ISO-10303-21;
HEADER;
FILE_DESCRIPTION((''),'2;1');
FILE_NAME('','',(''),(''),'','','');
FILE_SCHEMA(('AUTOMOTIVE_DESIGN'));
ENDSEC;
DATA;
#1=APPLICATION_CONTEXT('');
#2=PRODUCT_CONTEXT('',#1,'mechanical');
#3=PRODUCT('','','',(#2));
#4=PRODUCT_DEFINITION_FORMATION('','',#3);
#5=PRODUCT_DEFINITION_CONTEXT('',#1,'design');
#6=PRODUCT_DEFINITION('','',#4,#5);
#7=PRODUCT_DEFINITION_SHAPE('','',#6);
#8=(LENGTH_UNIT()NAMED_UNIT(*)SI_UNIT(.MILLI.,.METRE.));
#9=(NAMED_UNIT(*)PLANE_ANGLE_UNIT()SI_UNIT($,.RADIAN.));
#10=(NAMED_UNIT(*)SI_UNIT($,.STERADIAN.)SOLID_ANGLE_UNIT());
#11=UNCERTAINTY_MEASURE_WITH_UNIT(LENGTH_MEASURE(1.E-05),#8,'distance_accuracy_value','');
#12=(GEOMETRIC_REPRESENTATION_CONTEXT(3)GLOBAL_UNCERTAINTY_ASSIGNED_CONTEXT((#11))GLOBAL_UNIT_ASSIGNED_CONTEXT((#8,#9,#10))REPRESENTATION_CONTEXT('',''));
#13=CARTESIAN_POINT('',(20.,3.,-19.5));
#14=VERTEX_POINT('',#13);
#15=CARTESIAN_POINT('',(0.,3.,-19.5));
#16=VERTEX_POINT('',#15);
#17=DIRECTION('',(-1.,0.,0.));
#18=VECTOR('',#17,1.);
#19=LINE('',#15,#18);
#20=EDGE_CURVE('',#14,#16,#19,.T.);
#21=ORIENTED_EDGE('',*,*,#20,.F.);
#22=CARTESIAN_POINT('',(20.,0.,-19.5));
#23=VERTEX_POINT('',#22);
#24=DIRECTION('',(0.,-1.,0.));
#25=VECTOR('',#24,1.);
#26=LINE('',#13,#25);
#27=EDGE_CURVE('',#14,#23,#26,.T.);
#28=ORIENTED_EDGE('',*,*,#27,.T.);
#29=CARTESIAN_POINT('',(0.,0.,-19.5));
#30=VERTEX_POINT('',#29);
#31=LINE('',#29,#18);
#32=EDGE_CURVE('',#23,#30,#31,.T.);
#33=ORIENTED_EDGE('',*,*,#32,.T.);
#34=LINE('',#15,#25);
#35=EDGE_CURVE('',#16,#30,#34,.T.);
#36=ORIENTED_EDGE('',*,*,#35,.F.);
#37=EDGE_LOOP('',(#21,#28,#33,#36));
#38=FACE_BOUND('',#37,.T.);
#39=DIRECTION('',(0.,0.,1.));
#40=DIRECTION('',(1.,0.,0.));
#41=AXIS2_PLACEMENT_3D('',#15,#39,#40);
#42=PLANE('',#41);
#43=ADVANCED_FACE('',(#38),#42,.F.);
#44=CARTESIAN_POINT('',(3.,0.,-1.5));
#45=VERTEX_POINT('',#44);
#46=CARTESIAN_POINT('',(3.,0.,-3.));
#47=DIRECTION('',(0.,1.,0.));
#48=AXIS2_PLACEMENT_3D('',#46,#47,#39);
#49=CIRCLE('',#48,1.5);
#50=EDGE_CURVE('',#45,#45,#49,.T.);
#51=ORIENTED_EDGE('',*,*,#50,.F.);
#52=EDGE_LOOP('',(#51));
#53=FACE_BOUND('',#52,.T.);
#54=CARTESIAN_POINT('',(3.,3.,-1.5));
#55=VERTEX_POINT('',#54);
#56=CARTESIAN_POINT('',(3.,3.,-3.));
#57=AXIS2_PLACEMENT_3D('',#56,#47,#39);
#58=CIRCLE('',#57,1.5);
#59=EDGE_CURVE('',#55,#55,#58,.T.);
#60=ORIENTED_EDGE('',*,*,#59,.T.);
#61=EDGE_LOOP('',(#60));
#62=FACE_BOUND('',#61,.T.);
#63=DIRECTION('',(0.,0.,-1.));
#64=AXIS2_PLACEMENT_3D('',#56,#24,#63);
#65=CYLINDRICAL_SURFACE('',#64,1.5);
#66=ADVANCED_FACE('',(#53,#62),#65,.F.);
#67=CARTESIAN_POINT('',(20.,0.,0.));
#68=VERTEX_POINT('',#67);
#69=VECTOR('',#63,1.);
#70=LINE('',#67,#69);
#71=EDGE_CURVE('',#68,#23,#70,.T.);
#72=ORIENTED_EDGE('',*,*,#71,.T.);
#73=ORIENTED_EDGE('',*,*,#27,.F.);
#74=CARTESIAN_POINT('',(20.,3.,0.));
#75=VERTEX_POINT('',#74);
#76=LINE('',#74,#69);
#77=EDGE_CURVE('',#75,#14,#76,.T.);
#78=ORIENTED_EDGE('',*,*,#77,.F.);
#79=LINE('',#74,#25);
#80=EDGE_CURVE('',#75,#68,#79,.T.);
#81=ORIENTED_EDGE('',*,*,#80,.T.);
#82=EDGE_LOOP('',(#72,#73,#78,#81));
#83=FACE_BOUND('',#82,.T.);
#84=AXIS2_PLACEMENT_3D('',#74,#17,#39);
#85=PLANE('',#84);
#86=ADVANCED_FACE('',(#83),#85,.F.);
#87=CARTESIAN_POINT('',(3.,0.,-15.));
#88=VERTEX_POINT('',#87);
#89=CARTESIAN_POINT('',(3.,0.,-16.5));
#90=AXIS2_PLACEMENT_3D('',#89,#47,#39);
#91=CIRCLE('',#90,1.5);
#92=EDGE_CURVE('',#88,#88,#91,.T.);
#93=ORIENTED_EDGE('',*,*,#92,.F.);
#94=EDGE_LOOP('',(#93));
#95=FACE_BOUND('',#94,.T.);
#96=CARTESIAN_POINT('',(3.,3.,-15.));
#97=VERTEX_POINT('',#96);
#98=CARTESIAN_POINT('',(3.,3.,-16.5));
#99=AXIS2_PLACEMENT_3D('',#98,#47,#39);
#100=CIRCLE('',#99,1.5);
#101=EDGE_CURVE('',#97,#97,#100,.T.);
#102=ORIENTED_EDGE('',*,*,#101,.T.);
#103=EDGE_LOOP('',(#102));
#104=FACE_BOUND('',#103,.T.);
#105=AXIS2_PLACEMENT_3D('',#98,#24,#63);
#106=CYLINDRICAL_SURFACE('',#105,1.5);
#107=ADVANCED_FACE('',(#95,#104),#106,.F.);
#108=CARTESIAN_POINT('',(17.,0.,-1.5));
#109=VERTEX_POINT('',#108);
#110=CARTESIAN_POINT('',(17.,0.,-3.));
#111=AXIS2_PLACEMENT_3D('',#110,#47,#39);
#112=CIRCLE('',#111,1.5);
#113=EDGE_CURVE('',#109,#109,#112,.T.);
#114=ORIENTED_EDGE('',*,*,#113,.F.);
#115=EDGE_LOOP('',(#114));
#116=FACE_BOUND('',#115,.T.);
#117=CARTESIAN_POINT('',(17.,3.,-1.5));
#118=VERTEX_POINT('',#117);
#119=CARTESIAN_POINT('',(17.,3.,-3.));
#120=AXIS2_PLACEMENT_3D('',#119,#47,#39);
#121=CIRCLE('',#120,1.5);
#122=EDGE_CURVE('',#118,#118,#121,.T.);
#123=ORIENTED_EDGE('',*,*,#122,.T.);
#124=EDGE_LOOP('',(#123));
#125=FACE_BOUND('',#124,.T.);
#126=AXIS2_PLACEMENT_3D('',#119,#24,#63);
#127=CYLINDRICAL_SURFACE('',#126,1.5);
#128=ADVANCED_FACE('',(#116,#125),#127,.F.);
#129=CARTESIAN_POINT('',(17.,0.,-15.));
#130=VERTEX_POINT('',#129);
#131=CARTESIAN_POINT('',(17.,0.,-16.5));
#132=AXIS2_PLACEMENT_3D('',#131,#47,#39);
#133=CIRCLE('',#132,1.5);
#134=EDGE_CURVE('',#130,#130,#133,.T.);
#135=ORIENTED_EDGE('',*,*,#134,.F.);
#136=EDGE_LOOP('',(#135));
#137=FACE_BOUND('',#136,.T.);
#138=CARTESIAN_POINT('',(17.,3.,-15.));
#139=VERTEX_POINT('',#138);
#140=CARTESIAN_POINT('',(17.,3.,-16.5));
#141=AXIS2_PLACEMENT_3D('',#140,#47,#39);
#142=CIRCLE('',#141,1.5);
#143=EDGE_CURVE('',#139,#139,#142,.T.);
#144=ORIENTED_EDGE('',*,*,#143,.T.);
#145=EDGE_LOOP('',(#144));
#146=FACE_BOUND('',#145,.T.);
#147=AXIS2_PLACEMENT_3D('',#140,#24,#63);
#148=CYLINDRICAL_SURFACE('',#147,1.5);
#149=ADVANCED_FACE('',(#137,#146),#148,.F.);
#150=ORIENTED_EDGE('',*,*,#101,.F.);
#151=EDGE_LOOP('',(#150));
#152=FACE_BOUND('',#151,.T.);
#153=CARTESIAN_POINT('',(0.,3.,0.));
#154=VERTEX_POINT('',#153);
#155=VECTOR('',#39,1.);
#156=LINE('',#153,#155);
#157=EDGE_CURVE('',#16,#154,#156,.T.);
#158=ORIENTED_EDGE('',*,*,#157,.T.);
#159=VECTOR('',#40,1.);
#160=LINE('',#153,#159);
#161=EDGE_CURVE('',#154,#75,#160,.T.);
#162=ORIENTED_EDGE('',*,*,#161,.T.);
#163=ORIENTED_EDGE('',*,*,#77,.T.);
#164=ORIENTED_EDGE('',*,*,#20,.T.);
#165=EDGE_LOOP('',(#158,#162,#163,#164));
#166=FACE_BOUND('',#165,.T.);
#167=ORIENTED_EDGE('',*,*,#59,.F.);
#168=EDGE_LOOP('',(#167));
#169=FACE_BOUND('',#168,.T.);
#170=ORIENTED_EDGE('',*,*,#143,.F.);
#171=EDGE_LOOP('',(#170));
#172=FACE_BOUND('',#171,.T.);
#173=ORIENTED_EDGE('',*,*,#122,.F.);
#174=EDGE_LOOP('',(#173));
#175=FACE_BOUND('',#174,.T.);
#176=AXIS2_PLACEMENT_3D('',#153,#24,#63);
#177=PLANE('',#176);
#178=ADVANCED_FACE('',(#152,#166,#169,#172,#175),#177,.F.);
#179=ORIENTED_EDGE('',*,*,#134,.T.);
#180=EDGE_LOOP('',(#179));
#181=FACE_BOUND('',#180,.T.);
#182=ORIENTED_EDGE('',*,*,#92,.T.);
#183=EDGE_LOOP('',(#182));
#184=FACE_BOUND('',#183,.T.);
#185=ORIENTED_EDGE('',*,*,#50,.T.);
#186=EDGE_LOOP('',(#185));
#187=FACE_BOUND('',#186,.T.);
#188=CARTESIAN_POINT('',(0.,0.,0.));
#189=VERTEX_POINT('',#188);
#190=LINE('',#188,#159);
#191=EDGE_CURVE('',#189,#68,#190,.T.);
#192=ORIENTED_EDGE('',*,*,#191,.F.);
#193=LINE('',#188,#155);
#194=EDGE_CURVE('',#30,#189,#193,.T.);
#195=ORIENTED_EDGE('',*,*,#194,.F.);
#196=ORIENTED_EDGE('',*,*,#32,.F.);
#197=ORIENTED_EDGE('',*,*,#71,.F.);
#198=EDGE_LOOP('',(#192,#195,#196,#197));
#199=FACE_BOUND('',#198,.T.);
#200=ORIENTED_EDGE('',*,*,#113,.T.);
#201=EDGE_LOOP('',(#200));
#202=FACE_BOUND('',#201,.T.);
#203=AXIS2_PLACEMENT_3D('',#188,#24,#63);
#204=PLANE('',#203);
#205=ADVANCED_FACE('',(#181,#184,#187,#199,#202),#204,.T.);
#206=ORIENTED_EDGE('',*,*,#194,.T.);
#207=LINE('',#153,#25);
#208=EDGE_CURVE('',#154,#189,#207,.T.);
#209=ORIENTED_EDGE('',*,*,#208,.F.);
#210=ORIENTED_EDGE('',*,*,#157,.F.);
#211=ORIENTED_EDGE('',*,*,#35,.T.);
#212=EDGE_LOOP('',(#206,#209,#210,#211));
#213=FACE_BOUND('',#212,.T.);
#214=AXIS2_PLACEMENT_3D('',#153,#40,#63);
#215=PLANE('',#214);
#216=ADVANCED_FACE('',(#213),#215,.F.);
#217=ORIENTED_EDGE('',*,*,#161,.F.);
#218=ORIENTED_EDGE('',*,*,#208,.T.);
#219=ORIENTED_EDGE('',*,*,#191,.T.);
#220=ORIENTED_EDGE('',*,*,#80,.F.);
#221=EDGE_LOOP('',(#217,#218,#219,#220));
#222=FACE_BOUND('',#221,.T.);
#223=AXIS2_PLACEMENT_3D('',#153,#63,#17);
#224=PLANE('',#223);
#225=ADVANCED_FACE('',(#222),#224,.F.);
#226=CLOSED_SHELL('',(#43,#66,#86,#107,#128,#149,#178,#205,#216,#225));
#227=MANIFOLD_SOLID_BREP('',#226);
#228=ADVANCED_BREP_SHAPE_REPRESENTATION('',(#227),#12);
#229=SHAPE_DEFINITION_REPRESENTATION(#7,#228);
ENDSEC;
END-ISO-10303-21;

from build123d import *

# Parameters (mm, degrees)
SKETCH1_W           = 20
SKETCH1_H           = 19.5
SKETCH1_R           = 1.5
BOSS_EXTRUDE1_DEPTH = 3


with BuildPart() as part:
    # Sketch1 → Boss-Extrude1 (new body)
    with BuildSketch(Plane(origin=(0, 0, 0), x_dir=(1, 0, 0), z_dir=(0, 1, 0))):
        with Locations((10, 9.75)):
            Rectangle(SKETCH1_W, SKETCH1_H)
        with Locations(Location((3, 3, 0), (0, 0, 270))):
            Circle(SKETCH1_R, mode=Mode.SUBTRACT)
        with Locations(Location((17, 3, 0), (0, 0, 270))):
            Circle(SKETCH1_R, mode=Mode.SUBTRACT)
        with Locations(Location((17, 16.5, 0), (0, 0, 270))):
            Circle(SKETCH1_R, mode=Mode.SUBTRACT)
        with Locations(Location((3, 16.5, 0), (0, 0, 270))):
            Circle(SKETCH1_R, mode=Mode.SUBTRACT)
    extrude(amount=BOSS_EXTRUDE1_DEPTH)


solid = part.part
